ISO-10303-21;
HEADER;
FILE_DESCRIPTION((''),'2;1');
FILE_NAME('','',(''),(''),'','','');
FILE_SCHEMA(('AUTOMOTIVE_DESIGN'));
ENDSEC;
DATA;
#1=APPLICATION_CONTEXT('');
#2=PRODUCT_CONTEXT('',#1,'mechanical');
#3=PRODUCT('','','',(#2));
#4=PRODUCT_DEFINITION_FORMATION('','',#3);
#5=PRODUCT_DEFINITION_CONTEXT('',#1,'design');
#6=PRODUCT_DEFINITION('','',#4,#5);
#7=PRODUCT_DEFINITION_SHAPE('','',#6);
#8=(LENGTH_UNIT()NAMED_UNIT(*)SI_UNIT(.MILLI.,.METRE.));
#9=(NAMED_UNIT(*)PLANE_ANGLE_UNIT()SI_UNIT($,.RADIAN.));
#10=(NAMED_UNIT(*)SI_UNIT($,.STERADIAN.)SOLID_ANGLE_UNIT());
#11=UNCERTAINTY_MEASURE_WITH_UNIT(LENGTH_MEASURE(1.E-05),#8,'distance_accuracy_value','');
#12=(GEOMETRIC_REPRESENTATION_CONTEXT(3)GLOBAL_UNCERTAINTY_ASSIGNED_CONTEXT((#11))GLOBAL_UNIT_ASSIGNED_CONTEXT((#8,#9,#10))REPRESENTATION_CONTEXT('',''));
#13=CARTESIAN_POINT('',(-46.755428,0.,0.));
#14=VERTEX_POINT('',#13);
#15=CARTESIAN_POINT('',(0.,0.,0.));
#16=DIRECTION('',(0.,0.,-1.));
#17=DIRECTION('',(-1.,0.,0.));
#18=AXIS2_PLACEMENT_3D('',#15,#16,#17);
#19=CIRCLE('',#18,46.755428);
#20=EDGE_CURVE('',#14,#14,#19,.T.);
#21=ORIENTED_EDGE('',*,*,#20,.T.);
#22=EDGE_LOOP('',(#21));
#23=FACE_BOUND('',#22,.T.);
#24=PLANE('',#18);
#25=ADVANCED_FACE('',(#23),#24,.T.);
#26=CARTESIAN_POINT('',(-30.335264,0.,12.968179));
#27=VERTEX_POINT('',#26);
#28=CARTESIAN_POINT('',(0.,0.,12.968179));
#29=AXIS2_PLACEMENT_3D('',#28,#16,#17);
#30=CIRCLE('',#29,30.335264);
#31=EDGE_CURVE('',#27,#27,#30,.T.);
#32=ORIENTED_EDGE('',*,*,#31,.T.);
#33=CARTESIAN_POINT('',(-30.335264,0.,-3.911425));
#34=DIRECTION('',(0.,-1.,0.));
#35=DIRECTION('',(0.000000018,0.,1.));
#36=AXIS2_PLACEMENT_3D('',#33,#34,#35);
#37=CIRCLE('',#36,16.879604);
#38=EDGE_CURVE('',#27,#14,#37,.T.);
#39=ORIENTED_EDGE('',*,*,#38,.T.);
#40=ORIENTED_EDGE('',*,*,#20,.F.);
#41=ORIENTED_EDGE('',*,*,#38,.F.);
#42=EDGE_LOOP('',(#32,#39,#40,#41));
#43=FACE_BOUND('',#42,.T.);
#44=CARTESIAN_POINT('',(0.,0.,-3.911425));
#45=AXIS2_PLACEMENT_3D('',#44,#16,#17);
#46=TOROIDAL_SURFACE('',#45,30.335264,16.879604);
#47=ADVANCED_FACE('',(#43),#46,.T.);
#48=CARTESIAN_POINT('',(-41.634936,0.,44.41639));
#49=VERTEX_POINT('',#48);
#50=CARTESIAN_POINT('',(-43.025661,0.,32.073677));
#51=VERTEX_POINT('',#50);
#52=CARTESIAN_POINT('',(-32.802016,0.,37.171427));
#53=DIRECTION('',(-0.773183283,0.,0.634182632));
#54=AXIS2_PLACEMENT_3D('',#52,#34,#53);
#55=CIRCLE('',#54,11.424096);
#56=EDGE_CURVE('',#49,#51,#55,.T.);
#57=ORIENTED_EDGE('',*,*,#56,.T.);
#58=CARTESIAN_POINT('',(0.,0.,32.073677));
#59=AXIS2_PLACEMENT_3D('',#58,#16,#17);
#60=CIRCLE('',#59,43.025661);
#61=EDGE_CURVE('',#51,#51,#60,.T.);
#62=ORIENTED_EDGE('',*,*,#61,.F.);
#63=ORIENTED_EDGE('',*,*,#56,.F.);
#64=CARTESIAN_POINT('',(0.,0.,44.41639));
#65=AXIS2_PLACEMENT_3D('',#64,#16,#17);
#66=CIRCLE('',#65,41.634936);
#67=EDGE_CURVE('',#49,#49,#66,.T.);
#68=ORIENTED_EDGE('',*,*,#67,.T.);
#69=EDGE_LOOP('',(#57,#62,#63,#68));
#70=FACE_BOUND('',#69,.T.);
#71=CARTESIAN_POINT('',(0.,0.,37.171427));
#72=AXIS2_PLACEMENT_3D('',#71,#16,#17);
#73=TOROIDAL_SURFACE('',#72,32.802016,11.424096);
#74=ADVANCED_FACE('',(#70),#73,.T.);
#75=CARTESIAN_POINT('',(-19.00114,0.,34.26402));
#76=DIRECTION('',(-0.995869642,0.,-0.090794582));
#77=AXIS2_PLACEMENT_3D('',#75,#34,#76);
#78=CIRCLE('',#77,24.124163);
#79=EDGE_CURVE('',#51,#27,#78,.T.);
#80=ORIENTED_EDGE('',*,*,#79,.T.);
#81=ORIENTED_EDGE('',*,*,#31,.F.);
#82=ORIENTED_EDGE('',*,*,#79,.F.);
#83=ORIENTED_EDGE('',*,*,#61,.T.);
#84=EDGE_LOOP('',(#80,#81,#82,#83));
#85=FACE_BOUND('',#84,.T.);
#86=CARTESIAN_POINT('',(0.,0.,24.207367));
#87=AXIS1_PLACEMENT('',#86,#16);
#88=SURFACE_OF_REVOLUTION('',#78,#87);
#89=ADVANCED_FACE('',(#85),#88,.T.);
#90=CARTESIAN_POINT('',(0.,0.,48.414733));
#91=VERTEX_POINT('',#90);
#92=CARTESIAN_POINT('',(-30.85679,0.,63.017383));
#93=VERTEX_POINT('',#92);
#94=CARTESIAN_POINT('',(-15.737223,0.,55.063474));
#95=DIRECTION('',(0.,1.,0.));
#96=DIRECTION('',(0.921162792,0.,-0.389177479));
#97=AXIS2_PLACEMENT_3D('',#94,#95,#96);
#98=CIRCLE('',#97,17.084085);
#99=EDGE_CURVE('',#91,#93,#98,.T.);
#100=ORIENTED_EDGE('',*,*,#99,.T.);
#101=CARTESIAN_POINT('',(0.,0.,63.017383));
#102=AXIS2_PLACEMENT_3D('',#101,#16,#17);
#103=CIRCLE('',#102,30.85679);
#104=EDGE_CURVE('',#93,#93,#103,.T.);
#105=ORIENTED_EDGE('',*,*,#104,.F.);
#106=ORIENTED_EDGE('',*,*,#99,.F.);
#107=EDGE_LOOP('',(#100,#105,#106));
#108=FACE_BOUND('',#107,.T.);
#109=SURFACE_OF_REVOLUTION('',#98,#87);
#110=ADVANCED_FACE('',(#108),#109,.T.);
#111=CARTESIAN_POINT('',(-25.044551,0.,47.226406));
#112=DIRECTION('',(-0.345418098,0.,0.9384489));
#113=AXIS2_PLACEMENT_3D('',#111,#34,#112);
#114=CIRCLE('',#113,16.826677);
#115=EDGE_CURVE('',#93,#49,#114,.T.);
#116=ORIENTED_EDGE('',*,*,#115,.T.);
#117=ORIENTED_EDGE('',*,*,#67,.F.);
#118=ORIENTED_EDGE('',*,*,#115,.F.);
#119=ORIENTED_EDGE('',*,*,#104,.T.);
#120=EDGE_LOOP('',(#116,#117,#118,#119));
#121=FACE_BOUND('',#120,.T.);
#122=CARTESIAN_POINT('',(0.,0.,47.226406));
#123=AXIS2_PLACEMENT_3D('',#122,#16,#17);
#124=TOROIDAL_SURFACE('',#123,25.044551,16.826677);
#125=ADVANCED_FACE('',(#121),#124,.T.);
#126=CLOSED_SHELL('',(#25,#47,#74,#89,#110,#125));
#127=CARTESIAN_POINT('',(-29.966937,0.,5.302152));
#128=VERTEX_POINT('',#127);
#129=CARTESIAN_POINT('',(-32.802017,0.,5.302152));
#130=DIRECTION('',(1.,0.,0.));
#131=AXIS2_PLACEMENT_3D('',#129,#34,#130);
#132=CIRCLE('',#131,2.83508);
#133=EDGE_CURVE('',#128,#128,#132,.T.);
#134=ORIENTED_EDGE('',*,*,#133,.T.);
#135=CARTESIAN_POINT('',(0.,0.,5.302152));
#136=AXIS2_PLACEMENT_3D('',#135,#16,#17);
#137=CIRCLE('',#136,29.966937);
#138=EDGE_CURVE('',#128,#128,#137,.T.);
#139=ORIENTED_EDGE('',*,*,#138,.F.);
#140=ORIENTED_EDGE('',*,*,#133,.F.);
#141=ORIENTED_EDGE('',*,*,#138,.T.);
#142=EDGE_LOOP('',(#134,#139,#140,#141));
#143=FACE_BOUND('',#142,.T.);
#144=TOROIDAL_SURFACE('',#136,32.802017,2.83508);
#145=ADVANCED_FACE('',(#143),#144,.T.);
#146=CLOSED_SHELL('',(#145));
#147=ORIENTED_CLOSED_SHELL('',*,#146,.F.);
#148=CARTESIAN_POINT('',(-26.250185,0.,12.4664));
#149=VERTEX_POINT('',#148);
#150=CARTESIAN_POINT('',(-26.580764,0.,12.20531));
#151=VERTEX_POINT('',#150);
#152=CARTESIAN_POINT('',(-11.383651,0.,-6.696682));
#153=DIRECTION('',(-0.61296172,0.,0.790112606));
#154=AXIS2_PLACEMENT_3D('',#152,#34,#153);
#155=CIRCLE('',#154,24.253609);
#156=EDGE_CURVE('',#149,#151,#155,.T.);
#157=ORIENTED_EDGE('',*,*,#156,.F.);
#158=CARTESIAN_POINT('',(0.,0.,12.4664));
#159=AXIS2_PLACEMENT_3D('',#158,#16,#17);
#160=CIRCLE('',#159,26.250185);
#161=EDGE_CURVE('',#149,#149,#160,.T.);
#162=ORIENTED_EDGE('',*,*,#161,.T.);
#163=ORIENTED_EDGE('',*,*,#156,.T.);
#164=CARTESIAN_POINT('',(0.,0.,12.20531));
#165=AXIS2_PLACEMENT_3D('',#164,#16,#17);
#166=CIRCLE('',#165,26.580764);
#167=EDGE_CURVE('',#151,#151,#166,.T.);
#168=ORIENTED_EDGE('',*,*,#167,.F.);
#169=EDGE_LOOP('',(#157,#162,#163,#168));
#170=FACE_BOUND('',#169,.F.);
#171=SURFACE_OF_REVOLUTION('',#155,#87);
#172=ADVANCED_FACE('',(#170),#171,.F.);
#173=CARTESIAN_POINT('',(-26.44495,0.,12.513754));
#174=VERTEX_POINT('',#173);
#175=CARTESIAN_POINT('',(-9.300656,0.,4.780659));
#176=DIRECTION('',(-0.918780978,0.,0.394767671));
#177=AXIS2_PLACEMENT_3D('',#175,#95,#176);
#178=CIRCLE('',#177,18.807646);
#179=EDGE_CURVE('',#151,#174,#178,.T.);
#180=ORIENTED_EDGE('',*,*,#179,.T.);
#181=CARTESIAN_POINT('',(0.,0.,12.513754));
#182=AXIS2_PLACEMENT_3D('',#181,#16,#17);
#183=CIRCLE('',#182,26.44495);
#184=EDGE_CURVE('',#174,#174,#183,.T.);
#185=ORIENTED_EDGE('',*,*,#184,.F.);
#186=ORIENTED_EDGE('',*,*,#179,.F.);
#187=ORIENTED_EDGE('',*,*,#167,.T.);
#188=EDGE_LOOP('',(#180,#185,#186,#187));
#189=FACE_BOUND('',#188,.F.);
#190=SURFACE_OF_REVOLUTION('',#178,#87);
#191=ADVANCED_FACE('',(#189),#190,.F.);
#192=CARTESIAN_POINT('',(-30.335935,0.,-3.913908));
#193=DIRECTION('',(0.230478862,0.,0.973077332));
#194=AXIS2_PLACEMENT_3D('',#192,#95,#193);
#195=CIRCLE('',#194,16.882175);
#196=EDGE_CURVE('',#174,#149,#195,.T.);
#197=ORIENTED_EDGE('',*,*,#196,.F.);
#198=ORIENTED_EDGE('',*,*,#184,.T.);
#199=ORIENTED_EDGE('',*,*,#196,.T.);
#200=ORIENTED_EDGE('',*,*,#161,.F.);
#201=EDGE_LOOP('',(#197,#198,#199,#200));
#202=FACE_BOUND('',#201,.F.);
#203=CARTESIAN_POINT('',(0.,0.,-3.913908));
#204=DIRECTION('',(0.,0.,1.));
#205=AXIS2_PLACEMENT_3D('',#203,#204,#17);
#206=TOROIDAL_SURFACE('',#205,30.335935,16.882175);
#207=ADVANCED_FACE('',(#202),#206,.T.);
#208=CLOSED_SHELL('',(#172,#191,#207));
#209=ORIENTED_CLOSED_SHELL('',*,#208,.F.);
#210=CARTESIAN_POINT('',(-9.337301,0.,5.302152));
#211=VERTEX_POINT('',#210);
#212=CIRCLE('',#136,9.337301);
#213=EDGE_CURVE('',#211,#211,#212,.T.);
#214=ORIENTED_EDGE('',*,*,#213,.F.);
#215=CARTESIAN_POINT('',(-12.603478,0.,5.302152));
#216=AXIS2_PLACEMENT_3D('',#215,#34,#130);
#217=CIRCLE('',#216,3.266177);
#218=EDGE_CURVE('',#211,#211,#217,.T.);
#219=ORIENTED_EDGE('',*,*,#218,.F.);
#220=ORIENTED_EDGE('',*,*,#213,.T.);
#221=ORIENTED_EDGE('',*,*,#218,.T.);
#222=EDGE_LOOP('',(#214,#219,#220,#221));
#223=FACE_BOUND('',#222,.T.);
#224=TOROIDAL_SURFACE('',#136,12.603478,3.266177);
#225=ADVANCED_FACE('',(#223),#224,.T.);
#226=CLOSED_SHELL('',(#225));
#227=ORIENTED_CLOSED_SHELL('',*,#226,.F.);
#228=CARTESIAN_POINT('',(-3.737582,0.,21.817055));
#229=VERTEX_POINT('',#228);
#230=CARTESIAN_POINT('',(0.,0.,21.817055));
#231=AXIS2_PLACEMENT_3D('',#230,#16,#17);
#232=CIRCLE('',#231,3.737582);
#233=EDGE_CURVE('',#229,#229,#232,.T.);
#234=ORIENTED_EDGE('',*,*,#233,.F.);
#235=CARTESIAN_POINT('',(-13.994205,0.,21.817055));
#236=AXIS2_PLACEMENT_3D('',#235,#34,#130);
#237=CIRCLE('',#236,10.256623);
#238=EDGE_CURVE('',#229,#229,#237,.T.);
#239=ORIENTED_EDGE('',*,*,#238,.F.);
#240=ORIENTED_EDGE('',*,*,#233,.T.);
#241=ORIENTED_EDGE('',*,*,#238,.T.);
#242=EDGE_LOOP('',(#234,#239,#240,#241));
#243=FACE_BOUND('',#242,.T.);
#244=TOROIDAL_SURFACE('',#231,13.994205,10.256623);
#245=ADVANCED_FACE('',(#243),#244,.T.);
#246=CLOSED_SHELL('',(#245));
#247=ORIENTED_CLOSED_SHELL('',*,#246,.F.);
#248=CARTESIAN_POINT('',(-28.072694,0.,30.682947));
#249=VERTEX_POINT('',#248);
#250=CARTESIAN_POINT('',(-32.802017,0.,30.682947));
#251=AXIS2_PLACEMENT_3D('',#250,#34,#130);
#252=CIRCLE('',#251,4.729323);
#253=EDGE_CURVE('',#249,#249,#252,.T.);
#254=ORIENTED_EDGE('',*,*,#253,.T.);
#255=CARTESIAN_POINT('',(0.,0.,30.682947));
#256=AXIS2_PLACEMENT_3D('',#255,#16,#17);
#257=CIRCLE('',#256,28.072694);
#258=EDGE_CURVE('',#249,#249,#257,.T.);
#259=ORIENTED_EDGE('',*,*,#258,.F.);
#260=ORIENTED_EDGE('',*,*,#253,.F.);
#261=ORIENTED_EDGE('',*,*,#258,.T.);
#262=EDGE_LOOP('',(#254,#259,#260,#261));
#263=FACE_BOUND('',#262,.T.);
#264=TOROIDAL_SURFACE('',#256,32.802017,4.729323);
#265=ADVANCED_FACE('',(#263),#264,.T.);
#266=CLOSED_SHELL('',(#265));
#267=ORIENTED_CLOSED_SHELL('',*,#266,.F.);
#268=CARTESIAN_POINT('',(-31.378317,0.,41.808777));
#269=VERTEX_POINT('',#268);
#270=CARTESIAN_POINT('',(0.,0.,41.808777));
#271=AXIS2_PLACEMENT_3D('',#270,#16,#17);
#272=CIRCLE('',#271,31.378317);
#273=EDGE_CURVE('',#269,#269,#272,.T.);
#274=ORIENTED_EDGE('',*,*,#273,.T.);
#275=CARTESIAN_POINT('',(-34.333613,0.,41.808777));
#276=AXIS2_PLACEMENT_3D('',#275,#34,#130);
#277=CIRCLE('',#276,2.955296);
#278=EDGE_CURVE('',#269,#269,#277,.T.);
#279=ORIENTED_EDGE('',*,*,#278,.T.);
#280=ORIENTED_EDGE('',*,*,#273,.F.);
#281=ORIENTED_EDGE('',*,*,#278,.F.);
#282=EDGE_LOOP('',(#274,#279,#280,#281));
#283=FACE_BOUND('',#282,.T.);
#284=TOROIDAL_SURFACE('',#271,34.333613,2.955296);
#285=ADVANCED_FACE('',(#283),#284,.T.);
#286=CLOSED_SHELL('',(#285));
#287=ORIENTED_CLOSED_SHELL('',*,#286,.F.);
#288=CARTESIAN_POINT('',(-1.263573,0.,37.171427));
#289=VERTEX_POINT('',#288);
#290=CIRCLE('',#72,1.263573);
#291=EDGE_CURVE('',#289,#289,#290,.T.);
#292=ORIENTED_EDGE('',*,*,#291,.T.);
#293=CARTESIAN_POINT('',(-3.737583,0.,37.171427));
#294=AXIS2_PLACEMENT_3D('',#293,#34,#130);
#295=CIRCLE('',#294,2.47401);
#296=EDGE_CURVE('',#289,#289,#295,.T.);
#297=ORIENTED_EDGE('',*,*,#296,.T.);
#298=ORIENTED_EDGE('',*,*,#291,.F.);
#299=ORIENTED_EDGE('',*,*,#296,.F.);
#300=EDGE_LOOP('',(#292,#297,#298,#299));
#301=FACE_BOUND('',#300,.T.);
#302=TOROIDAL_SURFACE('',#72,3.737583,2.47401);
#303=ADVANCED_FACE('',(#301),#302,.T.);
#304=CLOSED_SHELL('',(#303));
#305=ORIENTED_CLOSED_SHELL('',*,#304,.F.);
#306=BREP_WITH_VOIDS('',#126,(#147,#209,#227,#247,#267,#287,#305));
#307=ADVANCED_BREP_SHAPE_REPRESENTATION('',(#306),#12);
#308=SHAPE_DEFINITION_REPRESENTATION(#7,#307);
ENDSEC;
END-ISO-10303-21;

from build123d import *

# Parameters (mm, degrees)
F0_R   = 2.83508
F0_R_2 = 4.729323
F0_R_3 = 3.266177
F0_R_4 = 10.256623
F0_R_5 = 2.955296
F0_R_6 = 2.47401


with BuildPart() as f1:
    # F0 (on Front) → F1 (revolve)
    with BuildSketch(Plane.XZ):
        with BuildLine():
            Line((0, 0), (0, 48.414733))
            ThreePointArc((0, 48.414733), (-23.045077, 39.621284), (-30.85679, 63.017383))
            ThreePointArc((-30.85679, 63.017383), (-39.603693, 55.662546), (-41.634936, 44.41639))
            ThreePointArc((-41.634936, 44.41639), (-44.154276, 38.450552), (-43.025661, 32.073677))
            ThreePointArc((-43.025661, 32.073677), (-39.09625, 20.916295), (-30.335264, 12.968179))
            ThreePointArc((-30.335264, 12.968179), (-40.797045, 9.335166), (-46.755428, 0))
            Line((-46.755428, 0), (0, 0))
        make_face()
        with Locations((-32.802017, 5.302152)):
            Circle(F0_R, mode=Mode.SUBTRACT)
        with BuildLine():
            ThreePointArc((-26.580764, 12.20531), (-26.513548, 12.359836), (-26.44495, 12.513754))
            ThreePointArc((-26.44495, 12.513754), (-26.347497, 12.490366), (-26.250185, 12.4664))
            ThreePointArc((-26.250185, 12.4664), (-26.416041, 12.336573), (-26.580764, 12.20531))
        make_face(mode=Mode.SUBTRACT)
        with Locations((-32.802017, 30.682947)):
            Circle(F0_R_2, mode=Mode.SUBTRACT)
        with Locations((-12.603478, 5.302152)):
            Circle(F0_R_3, mode=Mode.SUBTRACT)
        with Locations((-13.994205, 21.817055)):
            Circle(F0_R_4, mode=Mode.SUBTRACT)
        with Locations((-34.333613, 41.808777)):
            Circle(F0_R_5, mode=Mode.SUBTRACT)
        with Locations((-3.737583, 37.171427)):
            Circle(F0_R_6, mode=Mode.SUBTRACT)
    revolve(axis=Axis((0, 0, 24.207367), (0, 0, -1)))


solid = f1.part
